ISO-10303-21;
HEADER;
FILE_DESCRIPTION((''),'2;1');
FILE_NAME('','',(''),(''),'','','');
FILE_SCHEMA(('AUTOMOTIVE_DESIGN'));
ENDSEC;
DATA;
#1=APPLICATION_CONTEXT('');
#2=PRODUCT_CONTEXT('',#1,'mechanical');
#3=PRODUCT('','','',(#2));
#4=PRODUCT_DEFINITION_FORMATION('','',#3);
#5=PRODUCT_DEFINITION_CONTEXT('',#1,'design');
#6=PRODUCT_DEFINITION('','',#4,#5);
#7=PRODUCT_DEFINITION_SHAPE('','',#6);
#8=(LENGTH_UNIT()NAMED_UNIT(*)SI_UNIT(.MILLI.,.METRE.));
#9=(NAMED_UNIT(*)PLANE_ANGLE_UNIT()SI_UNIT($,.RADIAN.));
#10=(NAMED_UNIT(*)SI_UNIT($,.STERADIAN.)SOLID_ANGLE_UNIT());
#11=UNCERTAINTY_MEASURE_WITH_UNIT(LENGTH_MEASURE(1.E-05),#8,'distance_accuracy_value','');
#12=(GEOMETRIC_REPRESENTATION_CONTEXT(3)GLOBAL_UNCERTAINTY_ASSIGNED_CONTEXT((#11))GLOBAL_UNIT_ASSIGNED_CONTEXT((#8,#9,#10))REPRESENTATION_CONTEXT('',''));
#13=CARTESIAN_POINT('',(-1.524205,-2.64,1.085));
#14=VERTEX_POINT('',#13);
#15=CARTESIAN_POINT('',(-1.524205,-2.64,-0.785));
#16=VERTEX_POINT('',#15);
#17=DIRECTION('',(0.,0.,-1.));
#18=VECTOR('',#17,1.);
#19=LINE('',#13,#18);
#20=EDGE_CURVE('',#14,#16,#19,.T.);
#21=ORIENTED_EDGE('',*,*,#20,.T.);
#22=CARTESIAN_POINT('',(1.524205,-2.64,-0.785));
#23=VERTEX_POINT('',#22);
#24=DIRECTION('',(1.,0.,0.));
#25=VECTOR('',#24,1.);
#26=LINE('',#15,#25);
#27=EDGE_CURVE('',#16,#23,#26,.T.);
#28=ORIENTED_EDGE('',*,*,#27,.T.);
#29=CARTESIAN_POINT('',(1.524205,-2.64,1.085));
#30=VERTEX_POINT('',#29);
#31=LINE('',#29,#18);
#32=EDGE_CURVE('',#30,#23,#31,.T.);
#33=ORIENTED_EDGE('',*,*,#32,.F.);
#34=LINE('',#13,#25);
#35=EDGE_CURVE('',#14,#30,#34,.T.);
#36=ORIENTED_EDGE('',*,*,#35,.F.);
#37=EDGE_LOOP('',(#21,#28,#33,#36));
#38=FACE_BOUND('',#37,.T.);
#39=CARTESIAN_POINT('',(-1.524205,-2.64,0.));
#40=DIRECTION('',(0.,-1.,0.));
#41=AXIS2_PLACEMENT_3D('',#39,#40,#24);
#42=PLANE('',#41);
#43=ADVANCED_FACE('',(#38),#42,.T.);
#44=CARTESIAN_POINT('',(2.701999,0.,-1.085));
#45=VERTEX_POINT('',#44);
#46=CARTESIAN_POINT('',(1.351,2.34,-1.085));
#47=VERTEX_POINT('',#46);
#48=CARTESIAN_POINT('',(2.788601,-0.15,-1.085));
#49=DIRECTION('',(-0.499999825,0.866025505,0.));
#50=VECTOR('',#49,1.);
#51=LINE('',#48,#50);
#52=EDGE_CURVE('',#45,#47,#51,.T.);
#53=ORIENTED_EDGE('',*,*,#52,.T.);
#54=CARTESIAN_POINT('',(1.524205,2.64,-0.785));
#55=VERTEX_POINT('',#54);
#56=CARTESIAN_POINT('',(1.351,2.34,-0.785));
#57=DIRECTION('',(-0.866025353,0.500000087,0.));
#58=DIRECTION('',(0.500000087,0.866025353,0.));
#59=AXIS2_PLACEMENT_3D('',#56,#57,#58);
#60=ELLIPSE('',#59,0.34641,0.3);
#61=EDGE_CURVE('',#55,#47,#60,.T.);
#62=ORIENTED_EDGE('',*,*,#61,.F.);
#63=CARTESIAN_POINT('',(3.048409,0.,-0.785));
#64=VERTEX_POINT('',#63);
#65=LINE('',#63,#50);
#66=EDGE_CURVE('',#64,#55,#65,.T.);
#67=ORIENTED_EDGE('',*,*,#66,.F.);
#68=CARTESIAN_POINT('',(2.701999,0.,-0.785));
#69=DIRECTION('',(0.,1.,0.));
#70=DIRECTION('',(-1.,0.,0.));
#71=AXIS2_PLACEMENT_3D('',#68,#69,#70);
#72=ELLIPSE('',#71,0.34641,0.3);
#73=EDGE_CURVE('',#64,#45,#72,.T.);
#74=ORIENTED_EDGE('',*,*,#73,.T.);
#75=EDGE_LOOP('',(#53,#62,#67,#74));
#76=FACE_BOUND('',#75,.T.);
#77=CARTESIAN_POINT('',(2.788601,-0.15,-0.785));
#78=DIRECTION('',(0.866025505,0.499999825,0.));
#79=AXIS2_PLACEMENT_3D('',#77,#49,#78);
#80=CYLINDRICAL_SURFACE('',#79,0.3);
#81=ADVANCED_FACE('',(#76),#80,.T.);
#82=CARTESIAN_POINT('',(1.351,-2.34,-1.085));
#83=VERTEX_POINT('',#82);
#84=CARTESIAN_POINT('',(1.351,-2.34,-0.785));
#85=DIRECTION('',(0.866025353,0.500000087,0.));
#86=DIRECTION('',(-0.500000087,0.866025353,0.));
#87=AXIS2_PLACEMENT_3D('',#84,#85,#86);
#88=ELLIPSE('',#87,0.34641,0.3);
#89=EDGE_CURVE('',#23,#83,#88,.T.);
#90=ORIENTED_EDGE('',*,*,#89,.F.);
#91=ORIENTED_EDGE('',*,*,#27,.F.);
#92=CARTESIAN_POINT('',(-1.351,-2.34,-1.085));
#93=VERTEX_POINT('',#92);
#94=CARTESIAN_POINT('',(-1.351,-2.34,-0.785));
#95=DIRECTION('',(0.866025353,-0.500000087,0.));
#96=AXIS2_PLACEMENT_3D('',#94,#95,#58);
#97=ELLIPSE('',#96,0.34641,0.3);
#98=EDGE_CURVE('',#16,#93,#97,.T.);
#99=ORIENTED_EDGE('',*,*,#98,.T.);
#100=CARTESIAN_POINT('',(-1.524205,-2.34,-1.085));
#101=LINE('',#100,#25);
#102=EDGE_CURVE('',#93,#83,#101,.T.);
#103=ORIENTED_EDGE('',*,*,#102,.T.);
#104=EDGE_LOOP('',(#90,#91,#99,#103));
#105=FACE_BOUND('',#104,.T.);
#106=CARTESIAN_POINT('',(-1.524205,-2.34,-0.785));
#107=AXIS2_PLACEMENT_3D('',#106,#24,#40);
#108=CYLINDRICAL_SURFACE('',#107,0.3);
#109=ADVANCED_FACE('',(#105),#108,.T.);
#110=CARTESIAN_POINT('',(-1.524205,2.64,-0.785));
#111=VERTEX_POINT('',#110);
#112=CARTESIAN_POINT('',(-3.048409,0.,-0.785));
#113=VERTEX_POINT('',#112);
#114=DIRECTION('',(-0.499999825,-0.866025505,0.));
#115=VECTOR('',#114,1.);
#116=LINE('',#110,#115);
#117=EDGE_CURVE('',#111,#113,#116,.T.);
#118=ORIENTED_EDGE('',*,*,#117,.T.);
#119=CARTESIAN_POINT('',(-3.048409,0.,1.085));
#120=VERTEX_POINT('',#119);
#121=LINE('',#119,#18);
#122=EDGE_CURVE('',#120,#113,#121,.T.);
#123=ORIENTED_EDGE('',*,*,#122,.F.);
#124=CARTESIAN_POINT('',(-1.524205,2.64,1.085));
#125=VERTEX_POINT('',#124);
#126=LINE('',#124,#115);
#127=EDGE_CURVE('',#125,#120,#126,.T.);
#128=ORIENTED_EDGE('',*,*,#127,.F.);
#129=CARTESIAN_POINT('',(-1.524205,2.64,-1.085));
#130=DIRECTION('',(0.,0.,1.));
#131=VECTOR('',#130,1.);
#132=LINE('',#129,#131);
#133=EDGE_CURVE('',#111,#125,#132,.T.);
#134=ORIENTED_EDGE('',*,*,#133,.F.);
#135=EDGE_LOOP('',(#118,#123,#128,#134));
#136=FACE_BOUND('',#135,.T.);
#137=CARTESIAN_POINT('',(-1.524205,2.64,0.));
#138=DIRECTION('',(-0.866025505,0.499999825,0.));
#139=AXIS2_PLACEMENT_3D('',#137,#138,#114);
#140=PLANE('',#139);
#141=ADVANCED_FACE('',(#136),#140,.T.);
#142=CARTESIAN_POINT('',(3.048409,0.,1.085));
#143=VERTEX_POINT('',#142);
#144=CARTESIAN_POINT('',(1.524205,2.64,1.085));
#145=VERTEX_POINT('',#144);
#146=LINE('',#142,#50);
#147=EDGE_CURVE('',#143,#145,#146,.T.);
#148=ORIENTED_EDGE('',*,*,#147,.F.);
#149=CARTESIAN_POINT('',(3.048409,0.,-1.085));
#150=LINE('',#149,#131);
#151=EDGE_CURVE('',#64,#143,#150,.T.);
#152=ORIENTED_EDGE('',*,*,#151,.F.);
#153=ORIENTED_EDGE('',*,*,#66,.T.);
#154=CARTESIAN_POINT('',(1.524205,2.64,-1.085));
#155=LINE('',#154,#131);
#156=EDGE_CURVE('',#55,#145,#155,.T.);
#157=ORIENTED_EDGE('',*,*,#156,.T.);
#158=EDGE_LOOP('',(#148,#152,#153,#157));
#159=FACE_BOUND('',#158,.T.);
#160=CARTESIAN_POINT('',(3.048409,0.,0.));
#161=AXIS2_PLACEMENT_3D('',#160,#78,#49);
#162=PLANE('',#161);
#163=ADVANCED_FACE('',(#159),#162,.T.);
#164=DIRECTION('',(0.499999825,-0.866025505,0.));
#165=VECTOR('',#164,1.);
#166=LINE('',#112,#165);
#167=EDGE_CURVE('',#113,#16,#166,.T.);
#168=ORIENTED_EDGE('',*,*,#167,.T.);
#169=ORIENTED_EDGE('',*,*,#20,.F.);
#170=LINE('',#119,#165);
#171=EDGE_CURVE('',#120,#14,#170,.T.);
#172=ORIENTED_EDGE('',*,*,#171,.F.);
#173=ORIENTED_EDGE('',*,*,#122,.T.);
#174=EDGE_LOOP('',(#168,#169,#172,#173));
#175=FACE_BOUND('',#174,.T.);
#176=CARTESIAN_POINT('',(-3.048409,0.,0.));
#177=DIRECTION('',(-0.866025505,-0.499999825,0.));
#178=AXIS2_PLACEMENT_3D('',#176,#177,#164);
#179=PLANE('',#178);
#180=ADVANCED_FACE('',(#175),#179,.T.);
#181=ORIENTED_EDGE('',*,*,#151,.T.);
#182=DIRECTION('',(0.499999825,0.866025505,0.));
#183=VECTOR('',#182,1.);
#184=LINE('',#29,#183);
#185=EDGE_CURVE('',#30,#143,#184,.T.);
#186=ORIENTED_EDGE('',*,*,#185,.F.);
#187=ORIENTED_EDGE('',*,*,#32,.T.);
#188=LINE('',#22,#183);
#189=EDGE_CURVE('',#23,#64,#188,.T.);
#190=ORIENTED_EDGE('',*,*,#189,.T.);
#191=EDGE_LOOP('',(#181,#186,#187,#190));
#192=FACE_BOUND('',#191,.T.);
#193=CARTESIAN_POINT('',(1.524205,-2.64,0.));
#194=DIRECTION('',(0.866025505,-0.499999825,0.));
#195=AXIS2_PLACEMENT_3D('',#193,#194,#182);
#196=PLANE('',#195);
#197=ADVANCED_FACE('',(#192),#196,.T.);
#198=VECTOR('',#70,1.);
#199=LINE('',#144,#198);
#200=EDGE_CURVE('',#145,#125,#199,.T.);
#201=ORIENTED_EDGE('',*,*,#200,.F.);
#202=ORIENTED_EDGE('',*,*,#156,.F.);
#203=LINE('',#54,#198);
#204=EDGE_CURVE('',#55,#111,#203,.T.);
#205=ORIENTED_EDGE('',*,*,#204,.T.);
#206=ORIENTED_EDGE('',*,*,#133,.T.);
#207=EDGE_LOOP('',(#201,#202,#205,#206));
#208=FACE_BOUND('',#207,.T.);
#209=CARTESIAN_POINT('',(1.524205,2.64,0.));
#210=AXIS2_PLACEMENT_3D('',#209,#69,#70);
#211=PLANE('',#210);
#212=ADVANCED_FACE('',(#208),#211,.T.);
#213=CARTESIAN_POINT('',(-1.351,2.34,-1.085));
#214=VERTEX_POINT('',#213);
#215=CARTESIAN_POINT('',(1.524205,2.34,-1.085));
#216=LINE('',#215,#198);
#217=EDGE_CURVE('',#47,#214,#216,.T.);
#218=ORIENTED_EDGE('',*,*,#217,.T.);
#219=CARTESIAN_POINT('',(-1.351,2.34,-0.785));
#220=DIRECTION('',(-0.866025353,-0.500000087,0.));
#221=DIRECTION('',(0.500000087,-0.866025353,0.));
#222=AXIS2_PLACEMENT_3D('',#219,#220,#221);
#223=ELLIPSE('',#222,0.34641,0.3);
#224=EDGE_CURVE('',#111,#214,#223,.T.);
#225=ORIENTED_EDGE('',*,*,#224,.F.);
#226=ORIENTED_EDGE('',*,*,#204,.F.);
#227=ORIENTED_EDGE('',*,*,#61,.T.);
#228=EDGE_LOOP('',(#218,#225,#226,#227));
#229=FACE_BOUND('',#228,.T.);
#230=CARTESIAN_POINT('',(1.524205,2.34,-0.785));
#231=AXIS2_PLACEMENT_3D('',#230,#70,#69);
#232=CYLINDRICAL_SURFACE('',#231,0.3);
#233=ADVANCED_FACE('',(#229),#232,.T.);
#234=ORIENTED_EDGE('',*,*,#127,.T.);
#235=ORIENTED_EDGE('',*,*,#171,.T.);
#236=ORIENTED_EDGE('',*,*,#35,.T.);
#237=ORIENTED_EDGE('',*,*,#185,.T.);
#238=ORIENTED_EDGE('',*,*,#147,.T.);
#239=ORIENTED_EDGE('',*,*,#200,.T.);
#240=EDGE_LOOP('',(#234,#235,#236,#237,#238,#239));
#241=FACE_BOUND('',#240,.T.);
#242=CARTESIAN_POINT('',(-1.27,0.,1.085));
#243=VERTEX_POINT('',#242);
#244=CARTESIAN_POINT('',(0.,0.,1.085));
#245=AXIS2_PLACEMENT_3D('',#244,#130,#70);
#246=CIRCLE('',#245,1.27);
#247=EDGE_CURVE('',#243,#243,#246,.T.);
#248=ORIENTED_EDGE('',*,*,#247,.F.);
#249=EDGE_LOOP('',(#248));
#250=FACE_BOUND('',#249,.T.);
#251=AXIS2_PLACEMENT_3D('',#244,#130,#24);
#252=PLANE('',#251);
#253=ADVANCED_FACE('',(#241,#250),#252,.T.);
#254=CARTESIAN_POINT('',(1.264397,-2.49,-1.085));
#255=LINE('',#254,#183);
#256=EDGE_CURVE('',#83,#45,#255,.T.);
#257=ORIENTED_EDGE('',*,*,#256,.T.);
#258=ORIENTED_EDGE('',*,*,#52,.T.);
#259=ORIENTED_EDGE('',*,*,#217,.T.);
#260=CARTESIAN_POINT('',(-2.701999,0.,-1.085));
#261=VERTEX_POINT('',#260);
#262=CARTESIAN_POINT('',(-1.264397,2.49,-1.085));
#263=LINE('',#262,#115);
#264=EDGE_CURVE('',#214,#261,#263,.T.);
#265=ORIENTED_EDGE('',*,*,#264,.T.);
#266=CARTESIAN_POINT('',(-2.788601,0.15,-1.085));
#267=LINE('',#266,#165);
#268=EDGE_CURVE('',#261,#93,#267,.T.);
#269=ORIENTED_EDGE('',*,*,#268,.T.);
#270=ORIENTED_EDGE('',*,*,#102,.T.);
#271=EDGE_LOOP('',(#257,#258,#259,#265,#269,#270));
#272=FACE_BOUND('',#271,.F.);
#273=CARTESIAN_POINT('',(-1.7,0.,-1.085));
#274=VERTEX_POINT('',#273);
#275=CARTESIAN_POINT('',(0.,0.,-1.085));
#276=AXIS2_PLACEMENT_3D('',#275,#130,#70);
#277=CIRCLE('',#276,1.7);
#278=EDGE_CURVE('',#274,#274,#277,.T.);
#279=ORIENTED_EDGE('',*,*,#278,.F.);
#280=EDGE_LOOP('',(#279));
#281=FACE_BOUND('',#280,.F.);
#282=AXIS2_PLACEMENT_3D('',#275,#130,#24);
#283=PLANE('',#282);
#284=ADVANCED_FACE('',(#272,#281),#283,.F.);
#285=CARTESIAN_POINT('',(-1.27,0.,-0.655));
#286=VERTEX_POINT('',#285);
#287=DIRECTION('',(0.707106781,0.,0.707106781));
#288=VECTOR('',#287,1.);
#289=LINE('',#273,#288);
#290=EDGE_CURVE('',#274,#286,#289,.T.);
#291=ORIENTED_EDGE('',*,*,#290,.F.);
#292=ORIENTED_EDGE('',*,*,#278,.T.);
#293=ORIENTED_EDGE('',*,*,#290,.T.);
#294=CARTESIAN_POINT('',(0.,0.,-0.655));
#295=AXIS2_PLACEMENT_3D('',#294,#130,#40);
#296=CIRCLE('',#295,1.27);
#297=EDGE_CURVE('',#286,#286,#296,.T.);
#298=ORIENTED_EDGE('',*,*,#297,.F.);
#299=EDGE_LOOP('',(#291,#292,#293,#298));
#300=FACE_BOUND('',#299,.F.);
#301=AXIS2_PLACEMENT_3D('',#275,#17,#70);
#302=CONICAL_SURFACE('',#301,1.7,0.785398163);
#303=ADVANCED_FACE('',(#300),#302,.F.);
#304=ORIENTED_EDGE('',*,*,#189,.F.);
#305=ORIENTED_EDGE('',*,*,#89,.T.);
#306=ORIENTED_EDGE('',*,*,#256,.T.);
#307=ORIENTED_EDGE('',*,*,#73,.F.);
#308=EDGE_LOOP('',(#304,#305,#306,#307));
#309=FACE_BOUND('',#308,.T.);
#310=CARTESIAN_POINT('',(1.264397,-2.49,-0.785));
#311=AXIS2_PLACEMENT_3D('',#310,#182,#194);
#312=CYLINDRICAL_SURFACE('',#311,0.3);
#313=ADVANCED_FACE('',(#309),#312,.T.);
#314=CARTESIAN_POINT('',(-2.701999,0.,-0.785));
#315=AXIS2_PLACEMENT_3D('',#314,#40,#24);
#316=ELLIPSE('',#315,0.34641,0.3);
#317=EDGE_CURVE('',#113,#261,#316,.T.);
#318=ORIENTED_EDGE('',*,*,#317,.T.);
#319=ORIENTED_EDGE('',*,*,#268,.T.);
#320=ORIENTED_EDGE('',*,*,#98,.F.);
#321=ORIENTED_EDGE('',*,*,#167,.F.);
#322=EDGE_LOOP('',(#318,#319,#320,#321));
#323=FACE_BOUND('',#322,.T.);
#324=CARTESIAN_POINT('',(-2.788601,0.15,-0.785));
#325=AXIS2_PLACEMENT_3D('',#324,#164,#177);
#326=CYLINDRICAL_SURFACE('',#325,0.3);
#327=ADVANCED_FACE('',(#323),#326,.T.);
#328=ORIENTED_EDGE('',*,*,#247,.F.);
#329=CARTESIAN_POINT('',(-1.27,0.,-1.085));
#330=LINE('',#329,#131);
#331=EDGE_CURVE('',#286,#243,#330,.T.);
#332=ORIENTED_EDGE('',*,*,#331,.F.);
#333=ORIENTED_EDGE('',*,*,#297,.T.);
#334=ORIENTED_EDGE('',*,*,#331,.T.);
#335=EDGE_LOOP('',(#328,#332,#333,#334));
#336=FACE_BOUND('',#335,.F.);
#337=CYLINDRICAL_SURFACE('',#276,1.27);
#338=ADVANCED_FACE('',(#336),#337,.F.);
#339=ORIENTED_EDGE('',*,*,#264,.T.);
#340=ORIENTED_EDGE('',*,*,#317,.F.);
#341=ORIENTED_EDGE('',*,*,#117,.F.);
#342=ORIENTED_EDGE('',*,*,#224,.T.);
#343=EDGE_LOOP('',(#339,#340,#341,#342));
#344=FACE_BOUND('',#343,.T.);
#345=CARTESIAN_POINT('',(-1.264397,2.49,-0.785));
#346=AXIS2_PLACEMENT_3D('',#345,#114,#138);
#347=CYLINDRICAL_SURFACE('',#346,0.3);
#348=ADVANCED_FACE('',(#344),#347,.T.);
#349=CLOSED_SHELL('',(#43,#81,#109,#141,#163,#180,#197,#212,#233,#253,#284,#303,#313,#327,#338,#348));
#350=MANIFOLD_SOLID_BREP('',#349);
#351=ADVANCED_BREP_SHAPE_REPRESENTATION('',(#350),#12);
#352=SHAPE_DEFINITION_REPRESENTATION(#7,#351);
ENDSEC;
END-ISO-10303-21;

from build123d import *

# Parameters (mm, degrees)
F1_DEPTH       = 1.085
F3_D           = 2.54
F3_CSINK_D     = 3.4
F3_CSINK_ANGLE = 90
F4_R           = 0.3


with BuildPart() as f1:
    # F0 (on Top) → F1 (new body, symmetric)
    with BuildSketch(Plane.XY):
        Polygon((1.524205, -2.64), (3.048409, 0), (1.524205, 2.64), (-1.524205, 2.64), (-3.048409, 0), (-1.524205, -2.64), align=None)
    extrude(amount=F1_DEPTH, both=True)

    # F3 (through all)
    with Locations(Plane(origin=(0, 0, -1.085), x_dir=(1, 0, 0), z_dir=(0, 0, -1))):
        with Locations((0, 0)):
            CounterSinkHole(F3_D / 2, F3_CSINK_D / 2, counter_sink_angle=F3_CSINK_ANGLE)

    # F4
    f4_edges = [f1.edges().sort_by_distance(p)[0] for p in [
        (2.286307, 1.32, -1.085),
        (2.286307, -1.32, -1.085),
        (0, -2.64, -1.085),
        (-2.286307, -1.32, -1.085),
        (-2.286307, 1.32, -1.085),
        (0, 2.64, -1.085),
    ]]
    fillet(f4_edges, radius=F4_R)


solid = f1.part
